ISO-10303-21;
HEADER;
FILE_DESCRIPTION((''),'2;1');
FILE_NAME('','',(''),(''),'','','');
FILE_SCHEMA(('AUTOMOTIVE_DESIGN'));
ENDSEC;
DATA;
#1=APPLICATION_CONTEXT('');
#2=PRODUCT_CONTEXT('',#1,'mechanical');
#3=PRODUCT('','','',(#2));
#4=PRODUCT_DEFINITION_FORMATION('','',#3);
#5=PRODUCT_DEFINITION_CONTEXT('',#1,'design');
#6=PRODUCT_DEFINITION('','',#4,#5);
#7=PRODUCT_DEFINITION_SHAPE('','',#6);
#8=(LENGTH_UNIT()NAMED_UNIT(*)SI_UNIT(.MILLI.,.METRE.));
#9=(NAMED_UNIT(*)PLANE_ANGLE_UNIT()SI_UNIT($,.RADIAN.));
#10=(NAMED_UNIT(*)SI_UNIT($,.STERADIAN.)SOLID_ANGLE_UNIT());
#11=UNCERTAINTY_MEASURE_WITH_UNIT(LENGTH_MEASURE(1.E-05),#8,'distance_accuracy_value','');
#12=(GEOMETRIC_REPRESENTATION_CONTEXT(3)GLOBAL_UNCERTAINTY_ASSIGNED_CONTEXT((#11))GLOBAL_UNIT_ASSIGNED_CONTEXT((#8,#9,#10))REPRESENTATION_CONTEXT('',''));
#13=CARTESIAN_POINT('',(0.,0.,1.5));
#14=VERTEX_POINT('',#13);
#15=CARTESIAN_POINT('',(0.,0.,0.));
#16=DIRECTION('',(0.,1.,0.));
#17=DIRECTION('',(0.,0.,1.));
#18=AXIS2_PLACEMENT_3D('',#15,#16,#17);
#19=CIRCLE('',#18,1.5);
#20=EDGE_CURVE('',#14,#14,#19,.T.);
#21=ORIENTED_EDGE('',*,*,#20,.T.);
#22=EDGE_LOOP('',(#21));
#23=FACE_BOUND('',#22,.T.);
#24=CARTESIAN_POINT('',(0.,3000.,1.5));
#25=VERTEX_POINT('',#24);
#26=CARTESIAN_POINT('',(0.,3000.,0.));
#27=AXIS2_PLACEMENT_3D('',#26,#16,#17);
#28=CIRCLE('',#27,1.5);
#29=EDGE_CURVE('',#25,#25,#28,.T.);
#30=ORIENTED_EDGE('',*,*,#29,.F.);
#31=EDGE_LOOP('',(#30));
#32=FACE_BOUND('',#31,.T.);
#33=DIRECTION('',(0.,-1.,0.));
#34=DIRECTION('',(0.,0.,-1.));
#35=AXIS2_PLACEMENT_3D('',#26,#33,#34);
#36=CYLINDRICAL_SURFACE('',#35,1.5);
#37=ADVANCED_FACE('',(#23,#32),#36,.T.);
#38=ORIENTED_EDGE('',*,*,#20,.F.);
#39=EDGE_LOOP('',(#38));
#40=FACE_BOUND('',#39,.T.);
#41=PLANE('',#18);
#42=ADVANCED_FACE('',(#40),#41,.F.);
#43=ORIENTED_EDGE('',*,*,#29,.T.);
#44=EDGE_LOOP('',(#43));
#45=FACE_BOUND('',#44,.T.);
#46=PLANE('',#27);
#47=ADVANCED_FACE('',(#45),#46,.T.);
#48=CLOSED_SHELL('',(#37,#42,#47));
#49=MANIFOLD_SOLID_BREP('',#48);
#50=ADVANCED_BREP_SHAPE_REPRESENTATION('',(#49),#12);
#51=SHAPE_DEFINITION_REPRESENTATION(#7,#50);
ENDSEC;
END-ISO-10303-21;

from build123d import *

# Parameters (mm, degrees)
SKETCH1_R           = 1.5
BOSS_EXTRUDE1_DEPTH = 3000


with BuildPart() as part:
    # Sketch1 → Boss-Extrude1 (new body)
    with BuildSketch(Plane(origin=(0, 0, 0), x_dir=(1, 0, 0), z_dir=(0, 1, 0))):
        with Locations(Location((0, 0, 0), (0, 0, 270))):
            Circle(SKETCH1_R)
    extrude(amount=BOSS_EXTRUDE1_DEPTH)


solid = part.part
